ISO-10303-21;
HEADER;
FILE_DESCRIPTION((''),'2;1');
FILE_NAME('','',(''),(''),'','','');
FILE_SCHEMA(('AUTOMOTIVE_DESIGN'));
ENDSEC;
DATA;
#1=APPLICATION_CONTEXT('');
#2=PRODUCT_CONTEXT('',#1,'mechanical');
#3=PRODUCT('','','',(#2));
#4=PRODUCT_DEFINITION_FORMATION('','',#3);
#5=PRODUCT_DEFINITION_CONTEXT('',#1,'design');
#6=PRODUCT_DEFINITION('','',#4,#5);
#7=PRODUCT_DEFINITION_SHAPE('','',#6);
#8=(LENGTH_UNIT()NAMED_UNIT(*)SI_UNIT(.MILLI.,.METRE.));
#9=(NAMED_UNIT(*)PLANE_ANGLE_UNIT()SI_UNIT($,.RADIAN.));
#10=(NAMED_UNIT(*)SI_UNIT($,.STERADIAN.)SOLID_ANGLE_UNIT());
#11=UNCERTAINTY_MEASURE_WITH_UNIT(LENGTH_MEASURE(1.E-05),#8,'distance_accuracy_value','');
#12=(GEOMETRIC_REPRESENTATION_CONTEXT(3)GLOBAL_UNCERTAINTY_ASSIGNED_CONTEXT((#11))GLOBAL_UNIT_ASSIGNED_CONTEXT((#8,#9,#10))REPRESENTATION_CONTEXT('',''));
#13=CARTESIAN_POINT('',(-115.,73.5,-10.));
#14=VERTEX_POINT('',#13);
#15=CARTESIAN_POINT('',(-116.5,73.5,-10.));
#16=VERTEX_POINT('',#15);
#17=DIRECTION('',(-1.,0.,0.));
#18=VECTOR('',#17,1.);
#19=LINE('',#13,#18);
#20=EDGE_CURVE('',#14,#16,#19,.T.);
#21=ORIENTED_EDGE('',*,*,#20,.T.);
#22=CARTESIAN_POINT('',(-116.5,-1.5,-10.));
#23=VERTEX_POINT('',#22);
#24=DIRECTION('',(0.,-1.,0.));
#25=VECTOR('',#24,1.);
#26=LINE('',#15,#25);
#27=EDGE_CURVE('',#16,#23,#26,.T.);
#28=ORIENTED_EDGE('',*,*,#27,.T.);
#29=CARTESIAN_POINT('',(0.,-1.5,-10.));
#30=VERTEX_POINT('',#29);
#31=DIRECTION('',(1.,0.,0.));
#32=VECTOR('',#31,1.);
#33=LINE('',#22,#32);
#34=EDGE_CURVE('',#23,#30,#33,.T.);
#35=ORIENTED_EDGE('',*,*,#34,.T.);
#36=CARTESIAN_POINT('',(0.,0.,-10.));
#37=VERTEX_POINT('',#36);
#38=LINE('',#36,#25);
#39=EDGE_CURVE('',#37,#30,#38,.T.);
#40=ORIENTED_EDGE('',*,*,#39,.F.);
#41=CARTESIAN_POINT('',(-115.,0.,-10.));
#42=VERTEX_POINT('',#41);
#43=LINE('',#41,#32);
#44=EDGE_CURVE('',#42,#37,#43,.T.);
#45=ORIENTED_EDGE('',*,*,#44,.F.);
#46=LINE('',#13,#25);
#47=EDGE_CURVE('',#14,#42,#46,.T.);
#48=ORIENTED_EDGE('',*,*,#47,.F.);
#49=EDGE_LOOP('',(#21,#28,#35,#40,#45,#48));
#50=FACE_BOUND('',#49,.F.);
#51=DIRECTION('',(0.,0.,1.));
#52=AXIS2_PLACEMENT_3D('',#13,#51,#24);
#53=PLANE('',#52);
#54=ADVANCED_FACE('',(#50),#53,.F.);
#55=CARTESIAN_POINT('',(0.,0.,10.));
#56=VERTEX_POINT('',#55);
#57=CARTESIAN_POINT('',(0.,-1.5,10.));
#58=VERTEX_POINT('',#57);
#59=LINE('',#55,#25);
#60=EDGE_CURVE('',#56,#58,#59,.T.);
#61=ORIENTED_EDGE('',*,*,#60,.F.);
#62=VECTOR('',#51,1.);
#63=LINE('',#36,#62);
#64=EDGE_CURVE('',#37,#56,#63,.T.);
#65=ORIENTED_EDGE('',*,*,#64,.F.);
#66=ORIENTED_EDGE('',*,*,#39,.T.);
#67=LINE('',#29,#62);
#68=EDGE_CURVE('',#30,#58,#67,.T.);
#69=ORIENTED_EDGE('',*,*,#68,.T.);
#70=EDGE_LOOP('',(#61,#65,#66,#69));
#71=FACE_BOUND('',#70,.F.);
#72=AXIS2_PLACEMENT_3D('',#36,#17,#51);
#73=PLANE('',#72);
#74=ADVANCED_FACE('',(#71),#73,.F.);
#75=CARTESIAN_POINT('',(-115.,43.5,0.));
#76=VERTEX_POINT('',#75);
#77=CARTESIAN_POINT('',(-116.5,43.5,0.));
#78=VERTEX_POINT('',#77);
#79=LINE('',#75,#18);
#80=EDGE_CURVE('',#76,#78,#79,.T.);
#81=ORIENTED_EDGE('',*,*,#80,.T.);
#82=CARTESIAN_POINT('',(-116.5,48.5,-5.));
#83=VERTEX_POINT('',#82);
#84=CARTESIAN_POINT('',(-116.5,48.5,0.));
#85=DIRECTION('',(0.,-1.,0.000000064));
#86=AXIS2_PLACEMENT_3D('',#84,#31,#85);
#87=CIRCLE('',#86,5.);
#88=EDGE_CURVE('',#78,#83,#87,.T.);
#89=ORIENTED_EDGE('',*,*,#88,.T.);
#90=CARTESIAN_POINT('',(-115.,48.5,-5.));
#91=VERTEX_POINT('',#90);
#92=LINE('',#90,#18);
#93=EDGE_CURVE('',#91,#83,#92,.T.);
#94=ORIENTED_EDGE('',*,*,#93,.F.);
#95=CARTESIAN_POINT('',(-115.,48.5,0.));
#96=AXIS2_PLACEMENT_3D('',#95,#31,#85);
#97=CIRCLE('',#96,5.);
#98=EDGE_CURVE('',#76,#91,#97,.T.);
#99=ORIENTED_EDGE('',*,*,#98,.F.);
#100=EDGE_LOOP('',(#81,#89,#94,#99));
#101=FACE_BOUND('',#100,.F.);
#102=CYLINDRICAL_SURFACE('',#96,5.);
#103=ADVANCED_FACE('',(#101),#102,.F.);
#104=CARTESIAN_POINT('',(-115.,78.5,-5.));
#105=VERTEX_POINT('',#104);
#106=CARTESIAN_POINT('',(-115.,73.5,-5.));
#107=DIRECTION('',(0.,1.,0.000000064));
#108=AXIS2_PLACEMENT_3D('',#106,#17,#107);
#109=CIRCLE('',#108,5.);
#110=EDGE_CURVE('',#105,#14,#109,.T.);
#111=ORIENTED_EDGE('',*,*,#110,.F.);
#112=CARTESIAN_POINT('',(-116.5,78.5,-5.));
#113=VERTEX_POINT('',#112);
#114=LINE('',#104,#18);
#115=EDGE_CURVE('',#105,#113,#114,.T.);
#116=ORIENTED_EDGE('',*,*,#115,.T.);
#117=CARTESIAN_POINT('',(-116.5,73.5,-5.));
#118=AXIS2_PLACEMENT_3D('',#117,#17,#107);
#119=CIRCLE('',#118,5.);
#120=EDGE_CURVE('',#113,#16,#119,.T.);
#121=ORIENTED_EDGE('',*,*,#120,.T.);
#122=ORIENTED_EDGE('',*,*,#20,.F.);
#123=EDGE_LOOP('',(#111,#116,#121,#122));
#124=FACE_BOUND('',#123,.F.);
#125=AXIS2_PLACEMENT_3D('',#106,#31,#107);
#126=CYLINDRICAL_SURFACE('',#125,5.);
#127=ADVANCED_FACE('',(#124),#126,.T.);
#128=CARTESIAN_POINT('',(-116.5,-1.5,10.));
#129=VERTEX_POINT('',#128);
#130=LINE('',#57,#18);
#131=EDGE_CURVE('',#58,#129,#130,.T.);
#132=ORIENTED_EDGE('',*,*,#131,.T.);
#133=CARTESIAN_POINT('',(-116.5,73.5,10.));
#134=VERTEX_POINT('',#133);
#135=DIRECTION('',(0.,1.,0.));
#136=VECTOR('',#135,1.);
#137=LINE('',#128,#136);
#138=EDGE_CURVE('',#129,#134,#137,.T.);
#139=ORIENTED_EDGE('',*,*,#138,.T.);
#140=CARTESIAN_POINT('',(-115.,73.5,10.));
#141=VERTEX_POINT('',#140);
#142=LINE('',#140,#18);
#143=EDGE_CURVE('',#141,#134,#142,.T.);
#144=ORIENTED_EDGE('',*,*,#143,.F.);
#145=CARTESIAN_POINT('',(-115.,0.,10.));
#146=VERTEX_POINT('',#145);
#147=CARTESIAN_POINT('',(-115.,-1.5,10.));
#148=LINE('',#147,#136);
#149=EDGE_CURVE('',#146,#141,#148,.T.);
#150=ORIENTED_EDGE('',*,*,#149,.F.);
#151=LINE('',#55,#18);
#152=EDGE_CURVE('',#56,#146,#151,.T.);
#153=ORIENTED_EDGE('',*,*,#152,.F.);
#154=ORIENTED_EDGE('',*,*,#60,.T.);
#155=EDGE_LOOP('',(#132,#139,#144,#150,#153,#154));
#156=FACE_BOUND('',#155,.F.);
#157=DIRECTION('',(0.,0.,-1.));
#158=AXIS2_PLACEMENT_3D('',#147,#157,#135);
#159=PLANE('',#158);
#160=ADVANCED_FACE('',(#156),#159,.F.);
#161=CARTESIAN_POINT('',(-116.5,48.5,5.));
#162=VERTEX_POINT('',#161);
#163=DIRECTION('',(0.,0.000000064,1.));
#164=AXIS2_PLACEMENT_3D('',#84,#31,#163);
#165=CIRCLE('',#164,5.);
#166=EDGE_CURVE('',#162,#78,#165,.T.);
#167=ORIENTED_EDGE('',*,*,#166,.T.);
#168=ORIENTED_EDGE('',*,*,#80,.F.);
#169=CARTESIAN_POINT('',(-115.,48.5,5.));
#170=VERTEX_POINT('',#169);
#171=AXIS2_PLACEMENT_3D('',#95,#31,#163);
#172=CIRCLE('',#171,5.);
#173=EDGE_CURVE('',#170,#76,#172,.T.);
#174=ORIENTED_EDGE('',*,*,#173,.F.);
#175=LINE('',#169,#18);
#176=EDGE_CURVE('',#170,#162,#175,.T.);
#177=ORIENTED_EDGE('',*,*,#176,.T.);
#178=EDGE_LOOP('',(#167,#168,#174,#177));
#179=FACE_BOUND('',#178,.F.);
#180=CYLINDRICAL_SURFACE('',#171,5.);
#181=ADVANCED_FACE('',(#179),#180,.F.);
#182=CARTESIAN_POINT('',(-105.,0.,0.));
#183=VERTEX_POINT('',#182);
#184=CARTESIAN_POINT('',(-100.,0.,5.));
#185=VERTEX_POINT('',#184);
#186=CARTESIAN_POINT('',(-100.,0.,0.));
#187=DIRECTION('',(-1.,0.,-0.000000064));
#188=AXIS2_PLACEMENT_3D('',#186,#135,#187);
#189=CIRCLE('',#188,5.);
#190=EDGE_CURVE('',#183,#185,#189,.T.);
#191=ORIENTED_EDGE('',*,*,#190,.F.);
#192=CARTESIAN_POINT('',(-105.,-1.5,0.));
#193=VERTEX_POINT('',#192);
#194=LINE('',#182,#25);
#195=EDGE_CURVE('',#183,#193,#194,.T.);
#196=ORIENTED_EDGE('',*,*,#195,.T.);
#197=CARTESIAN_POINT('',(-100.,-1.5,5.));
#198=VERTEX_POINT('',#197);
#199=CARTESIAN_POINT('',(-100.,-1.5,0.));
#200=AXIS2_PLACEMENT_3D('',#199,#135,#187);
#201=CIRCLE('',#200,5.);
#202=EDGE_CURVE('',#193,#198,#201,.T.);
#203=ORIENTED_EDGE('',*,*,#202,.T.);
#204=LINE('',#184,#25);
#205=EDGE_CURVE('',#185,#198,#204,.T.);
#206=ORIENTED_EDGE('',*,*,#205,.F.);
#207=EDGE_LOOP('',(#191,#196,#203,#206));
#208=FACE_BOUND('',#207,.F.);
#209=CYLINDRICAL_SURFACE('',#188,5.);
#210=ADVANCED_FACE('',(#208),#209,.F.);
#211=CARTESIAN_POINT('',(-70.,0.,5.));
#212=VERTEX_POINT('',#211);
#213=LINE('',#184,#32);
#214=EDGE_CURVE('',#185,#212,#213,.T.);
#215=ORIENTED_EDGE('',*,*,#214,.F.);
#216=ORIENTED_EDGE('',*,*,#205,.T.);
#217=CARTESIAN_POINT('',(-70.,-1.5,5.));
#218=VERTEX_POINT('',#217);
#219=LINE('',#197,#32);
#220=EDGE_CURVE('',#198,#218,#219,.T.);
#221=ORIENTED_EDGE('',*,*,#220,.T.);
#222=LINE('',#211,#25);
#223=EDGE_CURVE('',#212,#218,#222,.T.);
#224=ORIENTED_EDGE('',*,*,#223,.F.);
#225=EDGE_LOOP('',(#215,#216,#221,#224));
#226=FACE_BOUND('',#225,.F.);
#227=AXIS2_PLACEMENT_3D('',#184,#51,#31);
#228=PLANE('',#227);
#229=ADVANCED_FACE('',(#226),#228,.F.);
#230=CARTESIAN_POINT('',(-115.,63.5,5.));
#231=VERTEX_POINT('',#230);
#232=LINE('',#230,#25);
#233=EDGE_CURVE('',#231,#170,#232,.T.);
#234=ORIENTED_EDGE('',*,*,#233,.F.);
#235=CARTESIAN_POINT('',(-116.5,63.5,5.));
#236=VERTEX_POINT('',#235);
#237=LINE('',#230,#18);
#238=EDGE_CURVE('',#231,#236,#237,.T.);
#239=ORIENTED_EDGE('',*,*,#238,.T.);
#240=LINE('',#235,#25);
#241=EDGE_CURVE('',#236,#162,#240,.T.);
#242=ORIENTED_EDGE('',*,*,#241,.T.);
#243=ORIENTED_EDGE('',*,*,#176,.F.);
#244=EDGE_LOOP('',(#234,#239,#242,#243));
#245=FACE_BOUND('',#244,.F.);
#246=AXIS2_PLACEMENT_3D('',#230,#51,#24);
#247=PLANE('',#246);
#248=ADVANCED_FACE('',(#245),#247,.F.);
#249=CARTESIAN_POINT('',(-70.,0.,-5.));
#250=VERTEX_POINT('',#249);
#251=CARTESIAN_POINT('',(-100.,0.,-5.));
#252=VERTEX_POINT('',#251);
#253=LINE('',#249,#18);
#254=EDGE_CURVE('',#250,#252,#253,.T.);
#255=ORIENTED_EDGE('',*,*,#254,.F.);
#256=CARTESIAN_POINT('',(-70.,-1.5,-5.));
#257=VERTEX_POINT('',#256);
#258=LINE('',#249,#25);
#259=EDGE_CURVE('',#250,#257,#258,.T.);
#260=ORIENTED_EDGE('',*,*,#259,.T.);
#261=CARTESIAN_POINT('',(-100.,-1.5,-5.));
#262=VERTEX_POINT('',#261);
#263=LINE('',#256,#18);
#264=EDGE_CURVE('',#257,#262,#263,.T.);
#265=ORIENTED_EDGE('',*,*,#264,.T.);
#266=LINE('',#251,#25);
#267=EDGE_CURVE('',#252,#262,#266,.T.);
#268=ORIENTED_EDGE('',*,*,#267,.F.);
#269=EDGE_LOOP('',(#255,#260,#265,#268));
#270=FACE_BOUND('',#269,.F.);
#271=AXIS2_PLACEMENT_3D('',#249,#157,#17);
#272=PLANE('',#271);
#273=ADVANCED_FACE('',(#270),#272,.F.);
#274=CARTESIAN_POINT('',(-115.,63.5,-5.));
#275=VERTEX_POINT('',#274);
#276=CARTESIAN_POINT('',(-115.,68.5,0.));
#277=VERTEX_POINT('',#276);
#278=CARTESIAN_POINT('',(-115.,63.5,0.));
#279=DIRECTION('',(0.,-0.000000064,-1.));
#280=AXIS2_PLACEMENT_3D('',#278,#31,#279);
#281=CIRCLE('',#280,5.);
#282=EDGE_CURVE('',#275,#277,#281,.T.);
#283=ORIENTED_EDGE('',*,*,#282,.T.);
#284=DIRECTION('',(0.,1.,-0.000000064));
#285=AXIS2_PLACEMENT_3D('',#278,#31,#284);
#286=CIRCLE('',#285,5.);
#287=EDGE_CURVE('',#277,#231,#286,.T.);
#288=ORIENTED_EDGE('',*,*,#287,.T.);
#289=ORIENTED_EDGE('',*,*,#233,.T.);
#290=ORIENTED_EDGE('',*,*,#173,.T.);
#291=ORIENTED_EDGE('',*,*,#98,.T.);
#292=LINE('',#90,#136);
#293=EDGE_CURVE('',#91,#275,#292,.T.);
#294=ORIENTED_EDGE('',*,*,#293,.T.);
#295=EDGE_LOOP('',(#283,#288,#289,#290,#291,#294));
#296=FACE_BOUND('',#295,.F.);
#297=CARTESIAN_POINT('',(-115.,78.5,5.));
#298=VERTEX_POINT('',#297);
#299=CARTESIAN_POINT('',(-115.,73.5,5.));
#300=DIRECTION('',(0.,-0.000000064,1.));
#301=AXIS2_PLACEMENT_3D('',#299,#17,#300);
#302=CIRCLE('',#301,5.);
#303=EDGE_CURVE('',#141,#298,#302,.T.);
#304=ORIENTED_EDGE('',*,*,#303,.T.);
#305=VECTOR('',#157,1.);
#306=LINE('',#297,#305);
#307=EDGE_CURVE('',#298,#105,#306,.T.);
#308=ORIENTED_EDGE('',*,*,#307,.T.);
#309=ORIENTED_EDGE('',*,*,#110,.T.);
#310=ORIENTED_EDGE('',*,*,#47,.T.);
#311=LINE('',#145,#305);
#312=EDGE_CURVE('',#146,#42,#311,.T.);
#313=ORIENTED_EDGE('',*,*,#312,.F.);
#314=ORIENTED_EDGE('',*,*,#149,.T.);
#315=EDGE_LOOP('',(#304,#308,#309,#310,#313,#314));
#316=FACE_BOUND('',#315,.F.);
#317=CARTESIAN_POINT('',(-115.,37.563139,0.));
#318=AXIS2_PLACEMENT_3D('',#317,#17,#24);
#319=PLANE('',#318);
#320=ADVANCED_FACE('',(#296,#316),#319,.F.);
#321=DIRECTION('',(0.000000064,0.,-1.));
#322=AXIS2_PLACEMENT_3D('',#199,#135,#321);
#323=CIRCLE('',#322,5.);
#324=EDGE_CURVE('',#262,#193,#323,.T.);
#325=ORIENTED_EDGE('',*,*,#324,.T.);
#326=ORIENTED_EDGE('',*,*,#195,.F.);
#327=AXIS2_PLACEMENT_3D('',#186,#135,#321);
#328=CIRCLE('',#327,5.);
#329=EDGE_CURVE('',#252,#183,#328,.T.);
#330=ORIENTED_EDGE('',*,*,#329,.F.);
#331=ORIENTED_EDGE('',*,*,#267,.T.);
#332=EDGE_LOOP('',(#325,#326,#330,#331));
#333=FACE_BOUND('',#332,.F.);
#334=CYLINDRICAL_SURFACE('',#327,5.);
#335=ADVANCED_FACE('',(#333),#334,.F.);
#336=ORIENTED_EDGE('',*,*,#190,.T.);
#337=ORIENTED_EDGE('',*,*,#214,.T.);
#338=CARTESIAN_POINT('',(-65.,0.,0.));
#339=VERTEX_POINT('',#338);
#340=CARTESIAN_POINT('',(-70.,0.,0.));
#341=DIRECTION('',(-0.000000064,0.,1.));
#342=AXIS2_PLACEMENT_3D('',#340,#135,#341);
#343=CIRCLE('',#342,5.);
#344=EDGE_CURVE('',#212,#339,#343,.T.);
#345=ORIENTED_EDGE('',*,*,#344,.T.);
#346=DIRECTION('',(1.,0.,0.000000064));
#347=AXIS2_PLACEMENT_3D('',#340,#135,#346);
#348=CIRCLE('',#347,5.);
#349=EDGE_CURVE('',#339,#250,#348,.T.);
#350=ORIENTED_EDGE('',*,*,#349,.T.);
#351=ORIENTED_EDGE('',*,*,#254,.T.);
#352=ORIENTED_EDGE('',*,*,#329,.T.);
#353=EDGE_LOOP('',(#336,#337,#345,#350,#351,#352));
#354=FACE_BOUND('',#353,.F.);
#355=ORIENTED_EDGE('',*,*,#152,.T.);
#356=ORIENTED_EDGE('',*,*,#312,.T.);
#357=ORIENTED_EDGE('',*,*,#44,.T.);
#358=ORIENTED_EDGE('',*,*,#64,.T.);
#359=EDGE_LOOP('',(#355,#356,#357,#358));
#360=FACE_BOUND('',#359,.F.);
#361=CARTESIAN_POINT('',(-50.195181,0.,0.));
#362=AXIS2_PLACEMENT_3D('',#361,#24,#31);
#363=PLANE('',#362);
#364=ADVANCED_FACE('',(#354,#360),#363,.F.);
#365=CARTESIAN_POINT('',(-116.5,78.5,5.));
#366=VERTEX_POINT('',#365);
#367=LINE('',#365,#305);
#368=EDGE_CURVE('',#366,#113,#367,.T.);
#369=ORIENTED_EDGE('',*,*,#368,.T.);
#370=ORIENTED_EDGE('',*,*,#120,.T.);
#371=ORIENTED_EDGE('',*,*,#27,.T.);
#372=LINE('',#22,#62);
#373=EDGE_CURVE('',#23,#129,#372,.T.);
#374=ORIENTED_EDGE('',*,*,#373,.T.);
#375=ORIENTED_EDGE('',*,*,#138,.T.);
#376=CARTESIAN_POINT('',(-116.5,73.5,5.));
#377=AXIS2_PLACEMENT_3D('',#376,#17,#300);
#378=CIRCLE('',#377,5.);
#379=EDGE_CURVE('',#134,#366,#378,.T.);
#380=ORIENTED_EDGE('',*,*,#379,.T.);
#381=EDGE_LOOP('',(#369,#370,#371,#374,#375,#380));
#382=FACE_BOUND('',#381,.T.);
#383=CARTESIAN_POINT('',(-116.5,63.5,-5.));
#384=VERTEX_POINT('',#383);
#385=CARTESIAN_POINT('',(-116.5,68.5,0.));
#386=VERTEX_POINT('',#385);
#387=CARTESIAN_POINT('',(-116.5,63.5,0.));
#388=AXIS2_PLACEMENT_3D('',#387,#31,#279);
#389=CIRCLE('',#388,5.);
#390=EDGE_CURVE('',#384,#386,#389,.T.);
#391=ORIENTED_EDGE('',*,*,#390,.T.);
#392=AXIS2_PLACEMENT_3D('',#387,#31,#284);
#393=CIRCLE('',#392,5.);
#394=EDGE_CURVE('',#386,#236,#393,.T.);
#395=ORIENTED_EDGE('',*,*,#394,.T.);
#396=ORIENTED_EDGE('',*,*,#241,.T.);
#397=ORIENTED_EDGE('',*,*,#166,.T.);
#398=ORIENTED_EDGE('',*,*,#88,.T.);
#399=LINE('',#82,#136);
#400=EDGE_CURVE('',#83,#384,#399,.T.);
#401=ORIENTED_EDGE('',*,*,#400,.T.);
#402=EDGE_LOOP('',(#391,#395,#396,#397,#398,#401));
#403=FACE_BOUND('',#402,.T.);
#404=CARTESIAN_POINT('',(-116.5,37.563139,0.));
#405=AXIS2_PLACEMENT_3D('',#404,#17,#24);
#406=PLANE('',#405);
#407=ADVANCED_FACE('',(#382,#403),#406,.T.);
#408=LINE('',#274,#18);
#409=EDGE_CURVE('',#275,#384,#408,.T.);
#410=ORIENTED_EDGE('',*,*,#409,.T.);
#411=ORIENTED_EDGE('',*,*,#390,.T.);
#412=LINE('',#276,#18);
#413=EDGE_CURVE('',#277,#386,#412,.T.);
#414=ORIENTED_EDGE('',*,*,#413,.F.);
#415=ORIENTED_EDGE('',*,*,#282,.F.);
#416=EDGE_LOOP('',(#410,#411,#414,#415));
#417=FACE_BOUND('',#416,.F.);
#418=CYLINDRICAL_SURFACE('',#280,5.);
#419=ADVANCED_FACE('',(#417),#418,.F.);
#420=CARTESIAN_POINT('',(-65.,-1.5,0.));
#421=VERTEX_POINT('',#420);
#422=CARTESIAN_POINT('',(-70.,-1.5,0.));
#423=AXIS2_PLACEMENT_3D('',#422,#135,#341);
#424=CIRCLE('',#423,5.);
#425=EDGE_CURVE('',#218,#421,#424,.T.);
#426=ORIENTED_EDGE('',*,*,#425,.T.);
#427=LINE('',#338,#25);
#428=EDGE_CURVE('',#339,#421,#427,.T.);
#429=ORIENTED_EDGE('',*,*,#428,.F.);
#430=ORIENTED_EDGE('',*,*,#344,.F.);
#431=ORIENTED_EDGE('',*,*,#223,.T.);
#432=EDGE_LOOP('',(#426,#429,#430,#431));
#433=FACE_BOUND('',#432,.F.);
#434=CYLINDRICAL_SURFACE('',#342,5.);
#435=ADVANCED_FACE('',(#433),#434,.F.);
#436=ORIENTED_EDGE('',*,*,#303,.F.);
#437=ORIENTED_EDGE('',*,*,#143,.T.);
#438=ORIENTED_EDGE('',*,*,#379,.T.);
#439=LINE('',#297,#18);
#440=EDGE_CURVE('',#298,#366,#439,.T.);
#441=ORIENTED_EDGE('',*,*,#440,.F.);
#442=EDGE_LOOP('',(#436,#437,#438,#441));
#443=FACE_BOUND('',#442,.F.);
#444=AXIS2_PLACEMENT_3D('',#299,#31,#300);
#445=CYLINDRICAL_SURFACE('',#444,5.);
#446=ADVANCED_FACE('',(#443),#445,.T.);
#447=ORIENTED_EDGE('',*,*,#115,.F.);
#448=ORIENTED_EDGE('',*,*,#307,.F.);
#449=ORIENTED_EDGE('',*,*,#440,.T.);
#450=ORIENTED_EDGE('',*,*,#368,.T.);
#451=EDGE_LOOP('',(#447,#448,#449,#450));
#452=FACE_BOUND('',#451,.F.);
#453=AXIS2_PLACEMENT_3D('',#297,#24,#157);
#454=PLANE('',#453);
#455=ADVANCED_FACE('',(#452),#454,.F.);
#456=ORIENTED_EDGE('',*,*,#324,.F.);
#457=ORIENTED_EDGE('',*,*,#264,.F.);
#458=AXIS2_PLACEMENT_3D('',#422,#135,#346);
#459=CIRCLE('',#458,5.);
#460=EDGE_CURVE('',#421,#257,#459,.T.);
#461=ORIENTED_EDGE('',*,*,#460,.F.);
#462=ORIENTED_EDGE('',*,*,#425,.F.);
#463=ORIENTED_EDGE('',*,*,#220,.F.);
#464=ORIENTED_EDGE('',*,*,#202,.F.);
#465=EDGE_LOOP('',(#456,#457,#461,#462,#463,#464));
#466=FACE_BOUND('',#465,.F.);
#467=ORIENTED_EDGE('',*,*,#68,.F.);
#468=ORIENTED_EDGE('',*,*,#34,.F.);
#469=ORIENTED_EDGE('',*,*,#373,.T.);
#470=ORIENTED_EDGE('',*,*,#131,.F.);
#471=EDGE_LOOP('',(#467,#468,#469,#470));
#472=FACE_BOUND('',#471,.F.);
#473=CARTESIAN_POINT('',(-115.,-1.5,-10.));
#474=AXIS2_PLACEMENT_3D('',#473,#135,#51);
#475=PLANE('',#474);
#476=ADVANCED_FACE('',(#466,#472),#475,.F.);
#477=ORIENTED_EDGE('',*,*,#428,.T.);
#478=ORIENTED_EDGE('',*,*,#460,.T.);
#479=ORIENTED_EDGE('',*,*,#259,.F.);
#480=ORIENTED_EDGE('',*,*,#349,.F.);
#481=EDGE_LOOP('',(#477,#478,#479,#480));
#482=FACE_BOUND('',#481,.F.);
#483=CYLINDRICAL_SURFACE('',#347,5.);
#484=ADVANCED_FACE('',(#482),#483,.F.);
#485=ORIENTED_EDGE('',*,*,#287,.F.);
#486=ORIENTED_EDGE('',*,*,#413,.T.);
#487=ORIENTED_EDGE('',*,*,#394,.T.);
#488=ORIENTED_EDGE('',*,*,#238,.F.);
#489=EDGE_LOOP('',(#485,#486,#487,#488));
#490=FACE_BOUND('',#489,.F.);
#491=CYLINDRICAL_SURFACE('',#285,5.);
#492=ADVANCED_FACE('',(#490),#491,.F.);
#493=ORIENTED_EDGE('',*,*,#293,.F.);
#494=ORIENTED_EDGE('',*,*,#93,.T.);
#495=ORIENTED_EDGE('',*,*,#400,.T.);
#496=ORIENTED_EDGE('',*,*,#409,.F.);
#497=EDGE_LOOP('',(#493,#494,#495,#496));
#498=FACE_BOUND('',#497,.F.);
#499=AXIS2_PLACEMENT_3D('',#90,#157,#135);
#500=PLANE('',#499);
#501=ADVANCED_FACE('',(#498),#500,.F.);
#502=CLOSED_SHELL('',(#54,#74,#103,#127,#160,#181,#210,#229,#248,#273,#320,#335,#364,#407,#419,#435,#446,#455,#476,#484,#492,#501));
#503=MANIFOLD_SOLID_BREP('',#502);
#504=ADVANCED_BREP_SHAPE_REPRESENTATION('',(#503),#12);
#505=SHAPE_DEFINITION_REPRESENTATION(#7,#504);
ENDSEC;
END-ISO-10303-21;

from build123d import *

# Parameters (mm, degrees)
F1_DEPTH = 1.5
F3_DEPTH = 1.5


with BuildPart() as f1:
    # F0 (on Front) → F1 (new body)
    with BuildSketch(Plane.XZ):
        with BuildLine():
            Line((0, 5), (0, 10))
            Line((0, 10), (-115, 10))
            Line((-115, 10), (-115, -10))
            Line((-115, -10), (0, -10))
            Line((0, -10), (0, -5))
            Line((0, -5), (-50, -5))
            ThreePointArc((-50, -5), (-53.535534, -3.535534), (-55, 0))
            ThreePointArc((-55, 0), (-53.535534, 3.535534), (-50, 5))
            Line((-50, 5), (0, 5))
        make_face()
        with BuildLine():
            ThreePointArc((-65, 0), (-66.464466, -3.535534), (-70, -5))
            Line((-70, -5), (-100, -5))
            ThreePointArc((-100, -5), (-103.535534, -3.535534), (-105, 0))
            ThreePointArc((-105, 0), (-103.535534, 3.535534), (-100, 5))
            Line((-100, 5), (-70, 5))
            ThreePointArc((-70, 5), (-66.464466, 3.535534), (-65, 0))
        make_face(mode=Mode.SUBTRACT)
        with BuildLine():
            Line((0, 0), (0, 5))
            Line((0, 5), (-50, 5))
            ThreePointArc((-50, 5), (-53.535534, 3.535534), (-55, 0))
            ThreePointArc((-55, 0), (-53.535534, -3.535534), (-50, -5))
            Line((-50, -5), (0, -5))
            Line((0, -5), (0, 0))
        make_face()
    extrude(amount=F1_DEPTH)

    # F2 (on face) → F3 (join)
    with BuildSketch(Plane(origin=(-115, 0, 0), x_dir=(0, -1, 0), z_dir=(-1, 0, 0))):
        with BuildLine():
            Line((1.5, -10), (1.5, 10))
            Line((1.5, 10), (-73.5, 10))
            ThreePointArc((-73.5, 10), (-77.035534, 8.535534), (-78.5, 5))
            Line((-78.5, 5), (-78.5, -5))
            ThreePointArc((-78.5, -5), (-77.035534, -8.535534), (-73.5, -10))
            Line((-73.5, -10), (1.5, -10))
        make_face()
        with BuildLine():
            Line((-48.5, -5), (-63.5, -5))
            ThreePointArc((-63.5, -5), (-67.035534, -3.535534), (-68.5, 0))
            ThreePointArc((-68.5, 0), (-67.035534, 3.535534), (-63.5, 5))
            Line((-63.5, 5), (-48.5, 5))
            ThreePointArc((-48.5, 5), (-44.964466, 3.535534), (-43.5, 0))
            ThreePointArc((-43.5, 0), (-44.964466, -3.535534), (-48.5, -5))
        make_face(mode=Mode.SUBTRACT)
    extrude(amount=F3_DEPTH)


solid = f1.part
